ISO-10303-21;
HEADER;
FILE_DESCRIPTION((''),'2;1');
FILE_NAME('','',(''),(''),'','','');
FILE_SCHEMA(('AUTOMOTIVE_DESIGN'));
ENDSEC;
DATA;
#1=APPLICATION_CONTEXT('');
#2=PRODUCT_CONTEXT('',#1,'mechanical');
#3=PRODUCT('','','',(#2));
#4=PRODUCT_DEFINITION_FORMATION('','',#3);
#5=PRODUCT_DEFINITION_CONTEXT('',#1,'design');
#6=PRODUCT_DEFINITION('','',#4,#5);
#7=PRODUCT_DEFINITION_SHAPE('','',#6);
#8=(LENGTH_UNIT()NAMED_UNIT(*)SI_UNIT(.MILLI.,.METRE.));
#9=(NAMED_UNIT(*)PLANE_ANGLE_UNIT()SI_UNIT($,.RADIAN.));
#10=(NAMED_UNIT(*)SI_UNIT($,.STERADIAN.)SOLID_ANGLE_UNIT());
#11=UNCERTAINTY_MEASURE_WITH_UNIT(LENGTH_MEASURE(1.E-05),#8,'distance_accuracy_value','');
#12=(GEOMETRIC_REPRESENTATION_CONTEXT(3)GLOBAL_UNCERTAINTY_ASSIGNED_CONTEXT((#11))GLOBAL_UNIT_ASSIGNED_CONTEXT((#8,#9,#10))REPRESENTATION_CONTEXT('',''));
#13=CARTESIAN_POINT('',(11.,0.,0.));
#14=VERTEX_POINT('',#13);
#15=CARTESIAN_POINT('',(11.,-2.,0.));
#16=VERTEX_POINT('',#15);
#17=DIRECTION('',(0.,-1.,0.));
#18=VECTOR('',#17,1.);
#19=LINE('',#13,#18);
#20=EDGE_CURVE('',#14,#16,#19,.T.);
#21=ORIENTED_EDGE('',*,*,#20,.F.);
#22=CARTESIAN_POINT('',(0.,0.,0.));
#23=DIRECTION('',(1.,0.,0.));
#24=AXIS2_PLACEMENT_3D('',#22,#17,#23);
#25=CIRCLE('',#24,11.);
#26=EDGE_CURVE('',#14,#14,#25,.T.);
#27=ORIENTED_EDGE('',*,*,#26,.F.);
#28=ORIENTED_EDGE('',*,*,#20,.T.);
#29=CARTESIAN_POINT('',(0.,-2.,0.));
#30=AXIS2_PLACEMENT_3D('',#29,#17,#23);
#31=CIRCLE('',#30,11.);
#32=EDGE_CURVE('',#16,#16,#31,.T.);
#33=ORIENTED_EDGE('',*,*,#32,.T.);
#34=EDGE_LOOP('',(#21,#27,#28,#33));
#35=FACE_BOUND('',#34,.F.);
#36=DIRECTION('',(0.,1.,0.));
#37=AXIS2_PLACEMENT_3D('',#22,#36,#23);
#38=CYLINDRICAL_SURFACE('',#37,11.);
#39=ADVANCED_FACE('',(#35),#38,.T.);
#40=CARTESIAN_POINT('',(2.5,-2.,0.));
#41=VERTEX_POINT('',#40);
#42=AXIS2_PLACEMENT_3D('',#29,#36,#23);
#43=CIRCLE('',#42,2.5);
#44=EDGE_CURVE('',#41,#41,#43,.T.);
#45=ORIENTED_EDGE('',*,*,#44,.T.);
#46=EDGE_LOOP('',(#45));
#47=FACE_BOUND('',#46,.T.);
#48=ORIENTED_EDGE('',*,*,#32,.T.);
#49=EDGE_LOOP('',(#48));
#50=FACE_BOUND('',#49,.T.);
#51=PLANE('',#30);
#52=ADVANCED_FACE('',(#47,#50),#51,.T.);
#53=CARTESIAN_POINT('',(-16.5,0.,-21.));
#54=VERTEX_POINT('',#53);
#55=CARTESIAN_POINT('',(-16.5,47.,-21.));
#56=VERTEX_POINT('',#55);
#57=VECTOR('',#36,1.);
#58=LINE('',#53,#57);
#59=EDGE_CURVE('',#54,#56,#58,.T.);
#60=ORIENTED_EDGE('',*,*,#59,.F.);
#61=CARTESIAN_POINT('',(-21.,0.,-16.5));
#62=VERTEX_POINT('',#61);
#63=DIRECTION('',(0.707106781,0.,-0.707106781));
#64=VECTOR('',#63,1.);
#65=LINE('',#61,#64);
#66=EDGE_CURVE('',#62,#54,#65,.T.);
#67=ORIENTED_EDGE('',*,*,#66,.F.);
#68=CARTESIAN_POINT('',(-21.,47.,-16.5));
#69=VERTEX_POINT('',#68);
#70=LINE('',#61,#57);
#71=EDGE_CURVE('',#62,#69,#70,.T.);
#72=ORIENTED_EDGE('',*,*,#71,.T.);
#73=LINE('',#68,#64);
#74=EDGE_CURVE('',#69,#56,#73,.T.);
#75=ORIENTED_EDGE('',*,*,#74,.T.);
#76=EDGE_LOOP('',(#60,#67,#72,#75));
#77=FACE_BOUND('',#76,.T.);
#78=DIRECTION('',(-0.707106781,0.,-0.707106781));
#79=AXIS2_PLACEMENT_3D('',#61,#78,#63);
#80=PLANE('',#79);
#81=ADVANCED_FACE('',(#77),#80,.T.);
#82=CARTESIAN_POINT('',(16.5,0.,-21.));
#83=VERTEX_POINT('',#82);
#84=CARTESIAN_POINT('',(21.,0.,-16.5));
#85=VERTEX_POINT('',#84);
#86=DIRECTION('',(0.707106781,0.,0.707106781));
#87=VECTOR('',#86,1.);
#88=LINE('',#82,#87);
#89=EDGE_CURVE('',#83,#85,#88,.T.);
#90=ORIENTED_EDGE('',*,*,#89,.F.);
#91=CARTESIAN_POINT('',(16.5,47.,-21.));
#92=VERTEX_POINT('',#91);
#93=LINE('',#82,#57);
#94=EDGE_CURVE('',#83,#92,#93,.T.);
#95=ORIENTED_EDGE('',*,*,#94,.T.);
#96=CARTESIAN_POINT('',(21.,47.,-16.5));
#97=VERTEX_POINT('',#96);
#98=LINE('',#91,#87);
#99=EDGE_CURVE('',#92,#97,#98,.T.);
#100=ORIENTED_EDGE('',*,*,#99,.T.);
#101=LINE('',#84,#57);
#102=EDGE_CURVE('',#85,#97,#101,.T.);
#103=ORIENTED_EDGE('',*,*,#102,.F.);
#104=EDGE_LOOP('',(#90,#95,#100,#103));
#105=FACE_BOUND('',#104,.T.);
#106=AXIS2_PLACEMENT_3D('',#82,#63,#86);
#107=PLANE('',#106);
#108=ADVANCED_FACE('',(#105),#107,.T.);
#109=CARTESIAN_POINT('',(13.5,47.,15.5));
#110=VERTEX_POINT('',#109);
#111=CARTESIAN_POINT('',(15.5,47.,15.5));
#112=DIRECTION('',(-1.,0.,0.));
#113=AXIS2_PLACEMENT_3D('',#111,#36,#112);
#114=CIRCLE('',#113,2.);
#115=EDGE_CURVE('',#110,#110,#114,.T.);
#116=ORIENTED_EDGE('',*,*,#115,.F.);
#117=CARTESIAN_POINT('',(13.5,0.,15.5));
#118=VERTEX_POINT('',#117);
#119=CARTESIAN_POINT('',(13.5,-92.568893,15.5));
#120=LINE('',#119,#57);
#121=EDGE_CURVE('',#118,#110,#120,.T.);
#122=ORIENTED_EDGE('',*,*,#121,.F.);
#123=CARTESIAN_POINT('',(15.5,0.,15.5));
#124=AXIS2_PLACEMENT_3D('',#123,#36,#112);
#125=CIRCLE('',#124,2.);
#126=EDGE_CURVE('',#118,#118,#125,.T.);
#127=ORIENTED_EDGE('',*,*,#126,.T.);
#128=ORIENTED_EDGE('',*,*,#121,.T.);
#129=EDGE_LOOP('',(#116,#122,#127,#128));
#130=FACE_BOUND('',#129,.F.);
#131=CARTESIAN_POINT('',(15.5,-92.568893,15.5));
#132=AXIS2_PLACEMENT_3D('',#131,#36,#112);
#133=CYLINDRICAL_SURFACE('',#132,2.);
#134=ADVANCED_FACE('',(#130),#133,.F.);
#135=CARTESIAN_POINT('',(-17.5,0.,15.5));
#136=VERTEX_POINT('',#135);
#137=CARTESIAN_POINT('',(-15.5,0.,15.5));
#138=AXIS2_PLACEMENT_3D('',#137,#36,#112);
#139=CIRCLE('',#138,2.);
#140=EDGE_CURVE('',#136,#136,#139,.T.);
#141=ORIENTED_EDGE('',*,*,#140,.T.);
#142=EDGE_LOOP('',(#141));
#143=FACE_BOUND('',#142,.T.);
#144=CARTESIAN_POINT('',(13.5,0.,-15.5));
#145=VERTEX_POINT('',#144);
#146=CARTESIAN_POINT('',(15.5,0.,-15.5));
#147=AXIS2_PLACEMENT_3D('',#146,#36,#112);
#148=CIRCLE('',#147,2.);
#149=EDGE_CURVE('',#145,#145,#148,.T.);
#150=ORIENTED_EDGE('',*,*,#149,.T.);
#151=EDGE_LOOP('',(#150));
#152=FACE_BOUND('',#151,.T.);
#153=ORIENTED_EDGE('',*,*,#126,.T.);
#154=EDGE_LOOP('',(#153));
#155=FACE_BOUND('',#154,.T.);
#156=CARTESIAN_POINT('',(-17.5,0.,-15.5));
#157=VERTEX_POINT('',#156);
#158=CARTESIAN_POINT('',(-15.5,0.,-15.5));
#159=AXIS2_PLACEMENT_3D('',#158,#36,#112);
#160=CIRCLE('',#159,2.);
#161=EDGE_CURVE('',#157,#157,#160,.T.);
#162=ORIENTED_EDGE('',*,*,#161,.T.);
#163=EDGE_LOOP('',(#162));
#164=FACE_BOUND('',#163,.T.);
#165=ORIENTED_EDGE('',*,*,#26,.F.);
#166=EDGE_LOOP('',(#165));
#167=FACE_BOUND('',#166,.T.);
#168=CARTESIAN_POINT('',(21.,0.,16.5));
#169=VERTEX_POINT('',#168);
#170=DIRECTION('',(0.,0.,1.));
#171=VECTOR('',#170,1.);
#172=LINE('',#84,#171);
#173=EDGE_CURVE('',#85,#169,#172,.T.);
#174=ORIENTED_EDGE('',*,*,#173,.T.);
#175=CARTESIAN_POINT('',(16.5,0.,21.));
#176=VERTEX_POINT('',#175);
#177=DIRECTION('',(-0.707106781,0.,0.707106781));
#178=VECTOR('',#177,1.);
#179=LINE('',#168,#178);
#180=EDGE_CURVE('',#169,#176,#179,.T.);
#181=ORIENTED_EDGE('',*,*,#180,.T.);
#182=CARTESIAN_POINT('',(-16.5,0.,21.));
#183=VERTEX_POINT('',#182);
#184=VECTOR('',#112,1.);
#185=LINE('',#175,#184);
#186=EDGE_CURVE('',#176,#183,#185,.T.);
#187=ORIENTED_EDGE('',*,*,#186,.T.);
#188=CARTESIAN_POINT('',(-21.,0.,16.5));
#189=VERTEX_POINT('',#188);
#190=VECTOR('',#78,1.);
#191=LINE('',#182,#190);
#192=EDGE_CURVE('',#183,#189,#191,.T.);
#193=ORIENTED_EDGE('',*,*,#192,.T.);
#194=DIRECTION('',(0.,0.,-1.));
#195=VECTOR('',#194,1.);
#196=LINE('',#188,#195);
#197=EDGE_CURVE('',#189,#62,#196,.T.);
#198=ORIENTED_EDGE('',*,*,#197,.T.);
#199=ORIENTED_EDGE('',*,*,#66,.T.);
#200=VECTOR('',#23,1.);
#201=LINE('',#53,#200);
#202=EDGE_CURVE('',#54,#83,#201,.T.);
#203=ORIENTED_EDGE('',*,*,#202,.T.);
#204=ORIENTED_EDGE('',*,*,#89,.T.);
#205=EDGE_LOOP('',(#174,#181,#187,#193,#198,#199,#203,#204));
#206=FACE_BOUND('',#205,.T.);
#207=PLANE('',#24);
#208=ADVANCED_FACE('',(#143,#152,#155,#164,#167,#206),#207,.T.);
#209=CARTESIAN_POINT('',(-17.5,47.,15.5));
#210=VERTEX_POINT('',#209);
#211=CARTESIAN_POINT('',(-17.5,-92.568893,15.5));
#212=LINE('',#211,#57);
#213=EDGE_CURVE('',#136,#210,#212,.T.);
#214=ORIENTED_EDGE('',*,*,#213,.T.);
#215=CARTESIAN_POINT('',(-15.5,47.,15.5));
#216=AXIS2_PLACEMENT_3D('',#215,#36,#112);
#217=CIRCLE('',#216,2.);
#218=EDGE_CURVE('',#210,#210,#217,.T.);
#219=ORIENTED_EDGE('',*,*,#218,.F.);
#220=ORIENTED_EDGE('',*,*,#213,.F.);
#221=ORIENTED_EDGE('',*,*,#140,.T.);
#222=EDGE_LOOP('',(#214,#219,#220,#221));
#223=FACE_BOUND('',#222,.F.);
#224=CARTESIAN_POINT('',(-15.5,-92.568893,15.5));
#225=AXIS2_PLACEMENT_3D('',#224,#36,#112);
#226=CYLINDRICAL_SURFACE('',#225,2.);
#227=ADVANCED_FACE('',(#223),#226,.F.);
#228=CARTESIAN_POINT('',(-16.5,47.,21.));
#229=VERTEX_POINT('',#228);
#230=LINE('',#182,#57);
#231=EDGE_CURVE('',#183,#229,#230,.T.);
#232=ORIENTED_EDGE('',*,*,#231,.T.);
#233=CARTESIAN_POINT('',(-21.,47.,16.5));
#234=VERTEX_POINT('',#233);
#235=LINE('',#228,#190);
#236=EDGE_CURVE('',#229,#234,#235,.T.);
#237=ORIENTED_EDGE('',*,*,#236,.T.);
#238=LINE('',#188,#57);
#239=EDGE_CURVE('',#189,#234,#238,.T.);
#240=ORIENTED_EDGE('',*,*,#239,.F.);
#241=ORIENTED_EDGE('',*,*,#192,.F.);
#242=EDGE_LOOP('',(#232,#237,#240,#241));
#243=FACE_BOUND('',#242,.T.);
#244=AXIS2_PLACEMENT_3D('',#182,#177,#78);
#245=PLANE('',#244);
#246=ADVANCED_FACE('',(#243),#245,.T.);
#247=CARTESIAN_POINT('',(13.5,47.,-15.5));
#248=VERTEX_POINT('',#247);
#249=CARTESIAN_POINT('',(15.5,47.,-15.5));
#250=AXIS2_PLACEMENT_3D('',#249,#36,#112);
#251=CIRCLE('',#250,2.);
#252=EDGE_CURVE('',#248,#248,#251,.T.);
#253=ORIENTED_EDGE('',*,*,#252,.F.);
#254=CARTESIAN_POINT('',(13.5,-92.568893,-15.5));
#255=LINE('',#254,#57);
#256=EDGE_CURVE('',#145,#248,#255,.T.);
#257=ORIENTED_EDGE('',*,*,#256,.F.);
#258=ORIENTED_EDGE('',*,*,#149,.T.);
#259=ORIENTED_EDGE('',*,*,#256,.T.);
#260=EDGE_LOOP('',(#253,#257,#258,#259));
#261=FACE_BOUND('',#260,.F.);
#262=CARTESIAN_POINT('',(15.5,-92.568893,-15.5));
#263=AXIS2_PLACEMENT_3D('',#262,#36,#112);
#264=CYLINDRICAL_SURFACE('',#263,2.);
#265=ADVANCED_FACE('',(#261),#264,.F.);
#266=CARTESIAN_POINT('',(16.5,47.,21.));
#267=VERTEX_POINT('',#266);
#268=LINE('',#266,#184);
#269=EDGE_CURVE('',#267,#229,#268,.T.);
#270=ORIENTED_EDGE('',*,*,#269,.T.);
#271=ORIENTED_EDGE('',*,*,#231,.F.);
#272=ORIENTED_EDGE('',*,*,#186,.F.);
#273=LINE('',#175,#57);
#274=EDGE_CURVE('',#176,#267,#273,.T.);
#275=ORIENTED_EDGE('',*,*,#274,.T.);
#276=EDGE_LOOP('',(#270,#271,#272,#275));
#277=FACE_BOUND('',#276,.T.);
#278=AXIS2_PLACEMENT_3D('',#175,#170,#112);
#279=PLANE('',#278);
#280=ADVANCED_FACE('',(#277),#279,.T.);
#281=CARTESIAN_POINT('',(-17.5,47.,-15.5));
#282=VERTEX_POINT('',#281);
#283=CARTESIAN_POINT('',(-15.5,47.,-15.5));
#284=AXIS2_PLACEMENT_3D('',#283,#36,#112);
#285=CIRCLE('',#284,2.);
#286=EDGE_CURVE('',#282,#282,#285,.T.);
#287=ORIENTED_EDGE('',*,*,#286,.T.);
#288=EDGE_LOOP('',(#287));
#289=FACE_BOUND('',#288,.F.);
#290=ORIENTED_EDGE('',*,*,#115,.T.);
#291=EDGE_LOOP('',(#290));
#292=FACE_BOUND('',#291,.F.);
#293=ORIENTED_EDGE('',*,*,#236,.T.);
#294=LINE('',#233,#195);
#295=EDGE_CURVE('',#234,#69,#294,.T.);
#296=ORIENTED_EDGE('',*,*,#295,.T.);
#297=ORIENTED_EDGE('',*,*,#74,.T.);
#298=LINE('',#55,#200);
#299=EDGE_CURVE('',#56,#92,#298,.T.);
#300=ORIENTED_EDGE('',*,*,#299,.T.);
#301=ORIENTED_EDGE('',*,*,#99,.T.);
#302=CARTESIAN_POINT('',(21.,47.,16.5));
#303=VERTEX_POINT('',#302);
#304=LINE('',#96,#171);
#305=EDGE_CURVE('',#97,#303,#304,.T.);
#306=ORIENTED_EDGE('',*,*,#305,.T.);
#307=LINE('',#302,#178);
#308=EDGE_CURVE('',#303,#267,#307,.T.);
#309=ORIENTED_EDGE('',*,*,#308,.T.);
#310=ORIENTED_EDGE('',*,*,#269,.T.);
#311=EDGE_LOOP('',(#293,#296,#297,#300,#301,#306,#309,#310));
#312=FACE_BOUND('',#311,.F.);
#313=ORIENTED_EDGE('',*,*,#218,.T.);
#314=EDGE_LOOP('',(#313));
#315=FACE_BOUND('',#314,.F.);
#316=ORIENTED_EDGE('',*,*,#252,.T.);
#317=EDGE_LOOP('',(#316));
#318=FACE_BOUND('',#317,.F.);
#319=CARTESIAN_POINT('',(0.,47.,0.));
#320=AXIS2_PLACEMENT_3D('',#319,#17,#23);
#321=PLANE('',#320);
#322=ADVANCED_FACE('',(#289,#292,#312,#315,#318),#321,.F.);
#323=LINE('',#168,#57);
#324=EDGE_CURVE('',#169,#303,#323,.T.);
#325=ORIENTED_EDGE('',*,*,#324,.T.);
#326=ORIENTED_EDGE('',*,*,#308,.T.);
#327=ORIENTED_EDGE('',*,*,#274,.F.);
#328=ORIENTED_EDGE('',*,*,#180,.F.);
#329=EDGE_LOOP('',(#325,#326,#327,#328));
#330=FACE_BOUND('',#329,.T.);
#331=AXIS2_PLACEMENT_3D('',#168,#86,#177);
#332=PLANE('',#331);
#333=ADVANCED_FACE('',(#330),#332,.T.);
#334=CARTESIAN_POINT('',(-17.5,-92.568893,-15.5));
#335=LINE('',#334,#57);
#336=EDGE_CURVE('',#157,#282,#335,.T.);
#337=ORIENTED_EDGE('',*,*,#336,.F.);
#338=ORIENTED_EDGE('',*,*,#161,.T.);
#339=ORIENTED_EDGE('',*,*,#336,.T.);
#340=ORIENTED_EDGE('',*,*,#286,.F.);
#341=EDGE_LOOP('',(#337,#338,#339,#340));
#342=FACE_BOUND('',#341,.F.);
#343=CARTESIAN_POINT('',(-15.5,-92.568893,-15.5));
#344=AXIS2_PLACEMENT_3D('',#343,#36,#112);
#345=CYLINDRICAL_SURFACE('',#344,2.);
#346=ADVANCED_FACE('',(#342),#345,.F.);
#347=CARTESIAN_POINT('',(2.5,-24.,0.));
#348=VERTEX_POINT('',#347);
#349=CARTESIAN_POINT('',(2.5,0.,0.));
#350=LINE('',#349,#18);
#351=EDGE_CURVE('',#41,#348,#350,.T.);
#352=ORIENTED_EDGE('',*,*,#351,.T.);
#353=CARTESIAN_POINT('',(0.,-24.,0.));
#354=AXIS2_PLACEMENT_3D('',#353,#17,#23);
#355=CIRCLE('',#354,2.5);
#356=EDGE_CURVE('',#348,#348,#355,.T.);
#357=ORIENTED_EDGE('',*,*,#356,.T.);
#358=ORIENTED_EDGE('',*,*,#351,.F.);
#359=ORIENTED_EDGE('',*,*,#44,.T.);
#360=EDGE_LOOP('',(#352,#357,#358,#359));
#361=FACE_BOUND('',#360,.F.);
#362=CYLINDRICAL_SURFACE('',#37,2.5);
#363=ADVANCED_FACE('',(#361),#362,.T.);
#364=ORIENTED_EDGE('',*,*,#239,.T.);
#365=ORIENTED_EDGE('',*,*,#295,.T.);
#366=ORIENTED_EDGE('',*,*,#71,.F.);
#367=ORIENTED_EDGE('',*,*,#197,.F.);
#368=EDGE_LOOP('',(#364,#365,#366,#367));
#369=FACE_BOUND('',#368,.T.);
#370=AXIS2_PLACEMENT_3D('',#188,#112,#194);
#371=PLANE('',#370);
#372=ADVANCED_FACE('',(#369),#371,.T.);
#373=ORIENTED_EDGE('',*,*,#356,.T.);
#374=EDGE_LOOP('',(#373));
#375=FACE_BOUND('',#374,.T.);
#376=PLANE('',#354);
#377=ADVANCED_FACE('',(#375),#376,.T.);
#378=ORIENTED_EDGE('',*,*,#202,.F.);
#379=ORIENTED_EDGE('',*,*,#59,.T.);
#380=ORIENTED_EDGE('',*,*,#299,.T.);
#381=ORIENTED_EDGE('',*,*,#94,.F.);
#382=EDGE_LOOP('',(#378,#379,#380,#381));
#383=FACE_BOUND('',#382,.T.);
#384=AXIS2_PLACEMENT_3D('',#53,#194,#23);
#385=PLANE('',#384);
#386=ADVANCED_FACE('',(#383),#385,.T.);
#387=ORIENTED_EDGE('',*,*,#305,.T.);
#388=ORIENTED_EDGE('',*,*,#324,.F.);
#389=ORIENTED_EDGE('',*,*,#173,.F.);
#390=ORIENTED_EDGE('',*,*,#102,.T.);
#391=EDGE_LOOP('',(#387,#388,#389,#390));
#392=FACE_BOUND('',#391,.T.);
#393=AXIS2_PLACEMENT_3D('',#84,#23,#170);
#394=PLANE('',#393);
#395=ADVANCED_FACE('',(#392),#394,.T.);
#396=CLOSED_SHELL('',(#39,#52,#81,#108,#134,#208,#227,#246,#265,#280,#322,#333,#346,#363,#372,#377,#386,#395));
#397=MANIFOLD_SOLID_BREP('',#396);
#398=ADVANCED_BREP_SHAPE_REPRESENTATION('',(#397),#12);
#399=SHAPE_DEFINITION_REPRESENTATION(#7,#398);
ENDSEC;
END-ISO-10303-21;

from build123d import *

# Parameters (mm, degrees)
F0_R     = 2.5
F3_DEPTH = 24
F1_R     = 11
F4_DEPTH = 2
F5_DEPTH = 47
F7_D     = 4


with BuildPart() as f3:
    # F0 (on Front) → F3 (new body)
    with BuildSketch(Plane.XZ):
        Circle(F0_R)
    extrude(amount=F3_DEPTH)

    # F1 (on Front) → F4 (join)
    with BuildSketch(Plane.XZ):
        Circle(F1_R)
    extrude(amount=F4_DEPTH)

    # F2 (on Front) → F5 (join)
    with BuildSketch(Plane.XZ):
        Polygon((21, 16.5), (16.5, 21), (-16.5, 21), (-21, 16.5), (-21, -16.5), (-16.5, -21), (16.5, -21), (21, -16.5), align=None)
    extrude(amount=-F5_DEPTH)

    # F7 (through all)
    with Locations(Plane.XZ):
        with Locations((-15.5, 15.5), (15.5, 15.5), (15.5, -15.5), (-15.5, -15.5)):
            Hole(F7_D / 2)


solid = f3.part
